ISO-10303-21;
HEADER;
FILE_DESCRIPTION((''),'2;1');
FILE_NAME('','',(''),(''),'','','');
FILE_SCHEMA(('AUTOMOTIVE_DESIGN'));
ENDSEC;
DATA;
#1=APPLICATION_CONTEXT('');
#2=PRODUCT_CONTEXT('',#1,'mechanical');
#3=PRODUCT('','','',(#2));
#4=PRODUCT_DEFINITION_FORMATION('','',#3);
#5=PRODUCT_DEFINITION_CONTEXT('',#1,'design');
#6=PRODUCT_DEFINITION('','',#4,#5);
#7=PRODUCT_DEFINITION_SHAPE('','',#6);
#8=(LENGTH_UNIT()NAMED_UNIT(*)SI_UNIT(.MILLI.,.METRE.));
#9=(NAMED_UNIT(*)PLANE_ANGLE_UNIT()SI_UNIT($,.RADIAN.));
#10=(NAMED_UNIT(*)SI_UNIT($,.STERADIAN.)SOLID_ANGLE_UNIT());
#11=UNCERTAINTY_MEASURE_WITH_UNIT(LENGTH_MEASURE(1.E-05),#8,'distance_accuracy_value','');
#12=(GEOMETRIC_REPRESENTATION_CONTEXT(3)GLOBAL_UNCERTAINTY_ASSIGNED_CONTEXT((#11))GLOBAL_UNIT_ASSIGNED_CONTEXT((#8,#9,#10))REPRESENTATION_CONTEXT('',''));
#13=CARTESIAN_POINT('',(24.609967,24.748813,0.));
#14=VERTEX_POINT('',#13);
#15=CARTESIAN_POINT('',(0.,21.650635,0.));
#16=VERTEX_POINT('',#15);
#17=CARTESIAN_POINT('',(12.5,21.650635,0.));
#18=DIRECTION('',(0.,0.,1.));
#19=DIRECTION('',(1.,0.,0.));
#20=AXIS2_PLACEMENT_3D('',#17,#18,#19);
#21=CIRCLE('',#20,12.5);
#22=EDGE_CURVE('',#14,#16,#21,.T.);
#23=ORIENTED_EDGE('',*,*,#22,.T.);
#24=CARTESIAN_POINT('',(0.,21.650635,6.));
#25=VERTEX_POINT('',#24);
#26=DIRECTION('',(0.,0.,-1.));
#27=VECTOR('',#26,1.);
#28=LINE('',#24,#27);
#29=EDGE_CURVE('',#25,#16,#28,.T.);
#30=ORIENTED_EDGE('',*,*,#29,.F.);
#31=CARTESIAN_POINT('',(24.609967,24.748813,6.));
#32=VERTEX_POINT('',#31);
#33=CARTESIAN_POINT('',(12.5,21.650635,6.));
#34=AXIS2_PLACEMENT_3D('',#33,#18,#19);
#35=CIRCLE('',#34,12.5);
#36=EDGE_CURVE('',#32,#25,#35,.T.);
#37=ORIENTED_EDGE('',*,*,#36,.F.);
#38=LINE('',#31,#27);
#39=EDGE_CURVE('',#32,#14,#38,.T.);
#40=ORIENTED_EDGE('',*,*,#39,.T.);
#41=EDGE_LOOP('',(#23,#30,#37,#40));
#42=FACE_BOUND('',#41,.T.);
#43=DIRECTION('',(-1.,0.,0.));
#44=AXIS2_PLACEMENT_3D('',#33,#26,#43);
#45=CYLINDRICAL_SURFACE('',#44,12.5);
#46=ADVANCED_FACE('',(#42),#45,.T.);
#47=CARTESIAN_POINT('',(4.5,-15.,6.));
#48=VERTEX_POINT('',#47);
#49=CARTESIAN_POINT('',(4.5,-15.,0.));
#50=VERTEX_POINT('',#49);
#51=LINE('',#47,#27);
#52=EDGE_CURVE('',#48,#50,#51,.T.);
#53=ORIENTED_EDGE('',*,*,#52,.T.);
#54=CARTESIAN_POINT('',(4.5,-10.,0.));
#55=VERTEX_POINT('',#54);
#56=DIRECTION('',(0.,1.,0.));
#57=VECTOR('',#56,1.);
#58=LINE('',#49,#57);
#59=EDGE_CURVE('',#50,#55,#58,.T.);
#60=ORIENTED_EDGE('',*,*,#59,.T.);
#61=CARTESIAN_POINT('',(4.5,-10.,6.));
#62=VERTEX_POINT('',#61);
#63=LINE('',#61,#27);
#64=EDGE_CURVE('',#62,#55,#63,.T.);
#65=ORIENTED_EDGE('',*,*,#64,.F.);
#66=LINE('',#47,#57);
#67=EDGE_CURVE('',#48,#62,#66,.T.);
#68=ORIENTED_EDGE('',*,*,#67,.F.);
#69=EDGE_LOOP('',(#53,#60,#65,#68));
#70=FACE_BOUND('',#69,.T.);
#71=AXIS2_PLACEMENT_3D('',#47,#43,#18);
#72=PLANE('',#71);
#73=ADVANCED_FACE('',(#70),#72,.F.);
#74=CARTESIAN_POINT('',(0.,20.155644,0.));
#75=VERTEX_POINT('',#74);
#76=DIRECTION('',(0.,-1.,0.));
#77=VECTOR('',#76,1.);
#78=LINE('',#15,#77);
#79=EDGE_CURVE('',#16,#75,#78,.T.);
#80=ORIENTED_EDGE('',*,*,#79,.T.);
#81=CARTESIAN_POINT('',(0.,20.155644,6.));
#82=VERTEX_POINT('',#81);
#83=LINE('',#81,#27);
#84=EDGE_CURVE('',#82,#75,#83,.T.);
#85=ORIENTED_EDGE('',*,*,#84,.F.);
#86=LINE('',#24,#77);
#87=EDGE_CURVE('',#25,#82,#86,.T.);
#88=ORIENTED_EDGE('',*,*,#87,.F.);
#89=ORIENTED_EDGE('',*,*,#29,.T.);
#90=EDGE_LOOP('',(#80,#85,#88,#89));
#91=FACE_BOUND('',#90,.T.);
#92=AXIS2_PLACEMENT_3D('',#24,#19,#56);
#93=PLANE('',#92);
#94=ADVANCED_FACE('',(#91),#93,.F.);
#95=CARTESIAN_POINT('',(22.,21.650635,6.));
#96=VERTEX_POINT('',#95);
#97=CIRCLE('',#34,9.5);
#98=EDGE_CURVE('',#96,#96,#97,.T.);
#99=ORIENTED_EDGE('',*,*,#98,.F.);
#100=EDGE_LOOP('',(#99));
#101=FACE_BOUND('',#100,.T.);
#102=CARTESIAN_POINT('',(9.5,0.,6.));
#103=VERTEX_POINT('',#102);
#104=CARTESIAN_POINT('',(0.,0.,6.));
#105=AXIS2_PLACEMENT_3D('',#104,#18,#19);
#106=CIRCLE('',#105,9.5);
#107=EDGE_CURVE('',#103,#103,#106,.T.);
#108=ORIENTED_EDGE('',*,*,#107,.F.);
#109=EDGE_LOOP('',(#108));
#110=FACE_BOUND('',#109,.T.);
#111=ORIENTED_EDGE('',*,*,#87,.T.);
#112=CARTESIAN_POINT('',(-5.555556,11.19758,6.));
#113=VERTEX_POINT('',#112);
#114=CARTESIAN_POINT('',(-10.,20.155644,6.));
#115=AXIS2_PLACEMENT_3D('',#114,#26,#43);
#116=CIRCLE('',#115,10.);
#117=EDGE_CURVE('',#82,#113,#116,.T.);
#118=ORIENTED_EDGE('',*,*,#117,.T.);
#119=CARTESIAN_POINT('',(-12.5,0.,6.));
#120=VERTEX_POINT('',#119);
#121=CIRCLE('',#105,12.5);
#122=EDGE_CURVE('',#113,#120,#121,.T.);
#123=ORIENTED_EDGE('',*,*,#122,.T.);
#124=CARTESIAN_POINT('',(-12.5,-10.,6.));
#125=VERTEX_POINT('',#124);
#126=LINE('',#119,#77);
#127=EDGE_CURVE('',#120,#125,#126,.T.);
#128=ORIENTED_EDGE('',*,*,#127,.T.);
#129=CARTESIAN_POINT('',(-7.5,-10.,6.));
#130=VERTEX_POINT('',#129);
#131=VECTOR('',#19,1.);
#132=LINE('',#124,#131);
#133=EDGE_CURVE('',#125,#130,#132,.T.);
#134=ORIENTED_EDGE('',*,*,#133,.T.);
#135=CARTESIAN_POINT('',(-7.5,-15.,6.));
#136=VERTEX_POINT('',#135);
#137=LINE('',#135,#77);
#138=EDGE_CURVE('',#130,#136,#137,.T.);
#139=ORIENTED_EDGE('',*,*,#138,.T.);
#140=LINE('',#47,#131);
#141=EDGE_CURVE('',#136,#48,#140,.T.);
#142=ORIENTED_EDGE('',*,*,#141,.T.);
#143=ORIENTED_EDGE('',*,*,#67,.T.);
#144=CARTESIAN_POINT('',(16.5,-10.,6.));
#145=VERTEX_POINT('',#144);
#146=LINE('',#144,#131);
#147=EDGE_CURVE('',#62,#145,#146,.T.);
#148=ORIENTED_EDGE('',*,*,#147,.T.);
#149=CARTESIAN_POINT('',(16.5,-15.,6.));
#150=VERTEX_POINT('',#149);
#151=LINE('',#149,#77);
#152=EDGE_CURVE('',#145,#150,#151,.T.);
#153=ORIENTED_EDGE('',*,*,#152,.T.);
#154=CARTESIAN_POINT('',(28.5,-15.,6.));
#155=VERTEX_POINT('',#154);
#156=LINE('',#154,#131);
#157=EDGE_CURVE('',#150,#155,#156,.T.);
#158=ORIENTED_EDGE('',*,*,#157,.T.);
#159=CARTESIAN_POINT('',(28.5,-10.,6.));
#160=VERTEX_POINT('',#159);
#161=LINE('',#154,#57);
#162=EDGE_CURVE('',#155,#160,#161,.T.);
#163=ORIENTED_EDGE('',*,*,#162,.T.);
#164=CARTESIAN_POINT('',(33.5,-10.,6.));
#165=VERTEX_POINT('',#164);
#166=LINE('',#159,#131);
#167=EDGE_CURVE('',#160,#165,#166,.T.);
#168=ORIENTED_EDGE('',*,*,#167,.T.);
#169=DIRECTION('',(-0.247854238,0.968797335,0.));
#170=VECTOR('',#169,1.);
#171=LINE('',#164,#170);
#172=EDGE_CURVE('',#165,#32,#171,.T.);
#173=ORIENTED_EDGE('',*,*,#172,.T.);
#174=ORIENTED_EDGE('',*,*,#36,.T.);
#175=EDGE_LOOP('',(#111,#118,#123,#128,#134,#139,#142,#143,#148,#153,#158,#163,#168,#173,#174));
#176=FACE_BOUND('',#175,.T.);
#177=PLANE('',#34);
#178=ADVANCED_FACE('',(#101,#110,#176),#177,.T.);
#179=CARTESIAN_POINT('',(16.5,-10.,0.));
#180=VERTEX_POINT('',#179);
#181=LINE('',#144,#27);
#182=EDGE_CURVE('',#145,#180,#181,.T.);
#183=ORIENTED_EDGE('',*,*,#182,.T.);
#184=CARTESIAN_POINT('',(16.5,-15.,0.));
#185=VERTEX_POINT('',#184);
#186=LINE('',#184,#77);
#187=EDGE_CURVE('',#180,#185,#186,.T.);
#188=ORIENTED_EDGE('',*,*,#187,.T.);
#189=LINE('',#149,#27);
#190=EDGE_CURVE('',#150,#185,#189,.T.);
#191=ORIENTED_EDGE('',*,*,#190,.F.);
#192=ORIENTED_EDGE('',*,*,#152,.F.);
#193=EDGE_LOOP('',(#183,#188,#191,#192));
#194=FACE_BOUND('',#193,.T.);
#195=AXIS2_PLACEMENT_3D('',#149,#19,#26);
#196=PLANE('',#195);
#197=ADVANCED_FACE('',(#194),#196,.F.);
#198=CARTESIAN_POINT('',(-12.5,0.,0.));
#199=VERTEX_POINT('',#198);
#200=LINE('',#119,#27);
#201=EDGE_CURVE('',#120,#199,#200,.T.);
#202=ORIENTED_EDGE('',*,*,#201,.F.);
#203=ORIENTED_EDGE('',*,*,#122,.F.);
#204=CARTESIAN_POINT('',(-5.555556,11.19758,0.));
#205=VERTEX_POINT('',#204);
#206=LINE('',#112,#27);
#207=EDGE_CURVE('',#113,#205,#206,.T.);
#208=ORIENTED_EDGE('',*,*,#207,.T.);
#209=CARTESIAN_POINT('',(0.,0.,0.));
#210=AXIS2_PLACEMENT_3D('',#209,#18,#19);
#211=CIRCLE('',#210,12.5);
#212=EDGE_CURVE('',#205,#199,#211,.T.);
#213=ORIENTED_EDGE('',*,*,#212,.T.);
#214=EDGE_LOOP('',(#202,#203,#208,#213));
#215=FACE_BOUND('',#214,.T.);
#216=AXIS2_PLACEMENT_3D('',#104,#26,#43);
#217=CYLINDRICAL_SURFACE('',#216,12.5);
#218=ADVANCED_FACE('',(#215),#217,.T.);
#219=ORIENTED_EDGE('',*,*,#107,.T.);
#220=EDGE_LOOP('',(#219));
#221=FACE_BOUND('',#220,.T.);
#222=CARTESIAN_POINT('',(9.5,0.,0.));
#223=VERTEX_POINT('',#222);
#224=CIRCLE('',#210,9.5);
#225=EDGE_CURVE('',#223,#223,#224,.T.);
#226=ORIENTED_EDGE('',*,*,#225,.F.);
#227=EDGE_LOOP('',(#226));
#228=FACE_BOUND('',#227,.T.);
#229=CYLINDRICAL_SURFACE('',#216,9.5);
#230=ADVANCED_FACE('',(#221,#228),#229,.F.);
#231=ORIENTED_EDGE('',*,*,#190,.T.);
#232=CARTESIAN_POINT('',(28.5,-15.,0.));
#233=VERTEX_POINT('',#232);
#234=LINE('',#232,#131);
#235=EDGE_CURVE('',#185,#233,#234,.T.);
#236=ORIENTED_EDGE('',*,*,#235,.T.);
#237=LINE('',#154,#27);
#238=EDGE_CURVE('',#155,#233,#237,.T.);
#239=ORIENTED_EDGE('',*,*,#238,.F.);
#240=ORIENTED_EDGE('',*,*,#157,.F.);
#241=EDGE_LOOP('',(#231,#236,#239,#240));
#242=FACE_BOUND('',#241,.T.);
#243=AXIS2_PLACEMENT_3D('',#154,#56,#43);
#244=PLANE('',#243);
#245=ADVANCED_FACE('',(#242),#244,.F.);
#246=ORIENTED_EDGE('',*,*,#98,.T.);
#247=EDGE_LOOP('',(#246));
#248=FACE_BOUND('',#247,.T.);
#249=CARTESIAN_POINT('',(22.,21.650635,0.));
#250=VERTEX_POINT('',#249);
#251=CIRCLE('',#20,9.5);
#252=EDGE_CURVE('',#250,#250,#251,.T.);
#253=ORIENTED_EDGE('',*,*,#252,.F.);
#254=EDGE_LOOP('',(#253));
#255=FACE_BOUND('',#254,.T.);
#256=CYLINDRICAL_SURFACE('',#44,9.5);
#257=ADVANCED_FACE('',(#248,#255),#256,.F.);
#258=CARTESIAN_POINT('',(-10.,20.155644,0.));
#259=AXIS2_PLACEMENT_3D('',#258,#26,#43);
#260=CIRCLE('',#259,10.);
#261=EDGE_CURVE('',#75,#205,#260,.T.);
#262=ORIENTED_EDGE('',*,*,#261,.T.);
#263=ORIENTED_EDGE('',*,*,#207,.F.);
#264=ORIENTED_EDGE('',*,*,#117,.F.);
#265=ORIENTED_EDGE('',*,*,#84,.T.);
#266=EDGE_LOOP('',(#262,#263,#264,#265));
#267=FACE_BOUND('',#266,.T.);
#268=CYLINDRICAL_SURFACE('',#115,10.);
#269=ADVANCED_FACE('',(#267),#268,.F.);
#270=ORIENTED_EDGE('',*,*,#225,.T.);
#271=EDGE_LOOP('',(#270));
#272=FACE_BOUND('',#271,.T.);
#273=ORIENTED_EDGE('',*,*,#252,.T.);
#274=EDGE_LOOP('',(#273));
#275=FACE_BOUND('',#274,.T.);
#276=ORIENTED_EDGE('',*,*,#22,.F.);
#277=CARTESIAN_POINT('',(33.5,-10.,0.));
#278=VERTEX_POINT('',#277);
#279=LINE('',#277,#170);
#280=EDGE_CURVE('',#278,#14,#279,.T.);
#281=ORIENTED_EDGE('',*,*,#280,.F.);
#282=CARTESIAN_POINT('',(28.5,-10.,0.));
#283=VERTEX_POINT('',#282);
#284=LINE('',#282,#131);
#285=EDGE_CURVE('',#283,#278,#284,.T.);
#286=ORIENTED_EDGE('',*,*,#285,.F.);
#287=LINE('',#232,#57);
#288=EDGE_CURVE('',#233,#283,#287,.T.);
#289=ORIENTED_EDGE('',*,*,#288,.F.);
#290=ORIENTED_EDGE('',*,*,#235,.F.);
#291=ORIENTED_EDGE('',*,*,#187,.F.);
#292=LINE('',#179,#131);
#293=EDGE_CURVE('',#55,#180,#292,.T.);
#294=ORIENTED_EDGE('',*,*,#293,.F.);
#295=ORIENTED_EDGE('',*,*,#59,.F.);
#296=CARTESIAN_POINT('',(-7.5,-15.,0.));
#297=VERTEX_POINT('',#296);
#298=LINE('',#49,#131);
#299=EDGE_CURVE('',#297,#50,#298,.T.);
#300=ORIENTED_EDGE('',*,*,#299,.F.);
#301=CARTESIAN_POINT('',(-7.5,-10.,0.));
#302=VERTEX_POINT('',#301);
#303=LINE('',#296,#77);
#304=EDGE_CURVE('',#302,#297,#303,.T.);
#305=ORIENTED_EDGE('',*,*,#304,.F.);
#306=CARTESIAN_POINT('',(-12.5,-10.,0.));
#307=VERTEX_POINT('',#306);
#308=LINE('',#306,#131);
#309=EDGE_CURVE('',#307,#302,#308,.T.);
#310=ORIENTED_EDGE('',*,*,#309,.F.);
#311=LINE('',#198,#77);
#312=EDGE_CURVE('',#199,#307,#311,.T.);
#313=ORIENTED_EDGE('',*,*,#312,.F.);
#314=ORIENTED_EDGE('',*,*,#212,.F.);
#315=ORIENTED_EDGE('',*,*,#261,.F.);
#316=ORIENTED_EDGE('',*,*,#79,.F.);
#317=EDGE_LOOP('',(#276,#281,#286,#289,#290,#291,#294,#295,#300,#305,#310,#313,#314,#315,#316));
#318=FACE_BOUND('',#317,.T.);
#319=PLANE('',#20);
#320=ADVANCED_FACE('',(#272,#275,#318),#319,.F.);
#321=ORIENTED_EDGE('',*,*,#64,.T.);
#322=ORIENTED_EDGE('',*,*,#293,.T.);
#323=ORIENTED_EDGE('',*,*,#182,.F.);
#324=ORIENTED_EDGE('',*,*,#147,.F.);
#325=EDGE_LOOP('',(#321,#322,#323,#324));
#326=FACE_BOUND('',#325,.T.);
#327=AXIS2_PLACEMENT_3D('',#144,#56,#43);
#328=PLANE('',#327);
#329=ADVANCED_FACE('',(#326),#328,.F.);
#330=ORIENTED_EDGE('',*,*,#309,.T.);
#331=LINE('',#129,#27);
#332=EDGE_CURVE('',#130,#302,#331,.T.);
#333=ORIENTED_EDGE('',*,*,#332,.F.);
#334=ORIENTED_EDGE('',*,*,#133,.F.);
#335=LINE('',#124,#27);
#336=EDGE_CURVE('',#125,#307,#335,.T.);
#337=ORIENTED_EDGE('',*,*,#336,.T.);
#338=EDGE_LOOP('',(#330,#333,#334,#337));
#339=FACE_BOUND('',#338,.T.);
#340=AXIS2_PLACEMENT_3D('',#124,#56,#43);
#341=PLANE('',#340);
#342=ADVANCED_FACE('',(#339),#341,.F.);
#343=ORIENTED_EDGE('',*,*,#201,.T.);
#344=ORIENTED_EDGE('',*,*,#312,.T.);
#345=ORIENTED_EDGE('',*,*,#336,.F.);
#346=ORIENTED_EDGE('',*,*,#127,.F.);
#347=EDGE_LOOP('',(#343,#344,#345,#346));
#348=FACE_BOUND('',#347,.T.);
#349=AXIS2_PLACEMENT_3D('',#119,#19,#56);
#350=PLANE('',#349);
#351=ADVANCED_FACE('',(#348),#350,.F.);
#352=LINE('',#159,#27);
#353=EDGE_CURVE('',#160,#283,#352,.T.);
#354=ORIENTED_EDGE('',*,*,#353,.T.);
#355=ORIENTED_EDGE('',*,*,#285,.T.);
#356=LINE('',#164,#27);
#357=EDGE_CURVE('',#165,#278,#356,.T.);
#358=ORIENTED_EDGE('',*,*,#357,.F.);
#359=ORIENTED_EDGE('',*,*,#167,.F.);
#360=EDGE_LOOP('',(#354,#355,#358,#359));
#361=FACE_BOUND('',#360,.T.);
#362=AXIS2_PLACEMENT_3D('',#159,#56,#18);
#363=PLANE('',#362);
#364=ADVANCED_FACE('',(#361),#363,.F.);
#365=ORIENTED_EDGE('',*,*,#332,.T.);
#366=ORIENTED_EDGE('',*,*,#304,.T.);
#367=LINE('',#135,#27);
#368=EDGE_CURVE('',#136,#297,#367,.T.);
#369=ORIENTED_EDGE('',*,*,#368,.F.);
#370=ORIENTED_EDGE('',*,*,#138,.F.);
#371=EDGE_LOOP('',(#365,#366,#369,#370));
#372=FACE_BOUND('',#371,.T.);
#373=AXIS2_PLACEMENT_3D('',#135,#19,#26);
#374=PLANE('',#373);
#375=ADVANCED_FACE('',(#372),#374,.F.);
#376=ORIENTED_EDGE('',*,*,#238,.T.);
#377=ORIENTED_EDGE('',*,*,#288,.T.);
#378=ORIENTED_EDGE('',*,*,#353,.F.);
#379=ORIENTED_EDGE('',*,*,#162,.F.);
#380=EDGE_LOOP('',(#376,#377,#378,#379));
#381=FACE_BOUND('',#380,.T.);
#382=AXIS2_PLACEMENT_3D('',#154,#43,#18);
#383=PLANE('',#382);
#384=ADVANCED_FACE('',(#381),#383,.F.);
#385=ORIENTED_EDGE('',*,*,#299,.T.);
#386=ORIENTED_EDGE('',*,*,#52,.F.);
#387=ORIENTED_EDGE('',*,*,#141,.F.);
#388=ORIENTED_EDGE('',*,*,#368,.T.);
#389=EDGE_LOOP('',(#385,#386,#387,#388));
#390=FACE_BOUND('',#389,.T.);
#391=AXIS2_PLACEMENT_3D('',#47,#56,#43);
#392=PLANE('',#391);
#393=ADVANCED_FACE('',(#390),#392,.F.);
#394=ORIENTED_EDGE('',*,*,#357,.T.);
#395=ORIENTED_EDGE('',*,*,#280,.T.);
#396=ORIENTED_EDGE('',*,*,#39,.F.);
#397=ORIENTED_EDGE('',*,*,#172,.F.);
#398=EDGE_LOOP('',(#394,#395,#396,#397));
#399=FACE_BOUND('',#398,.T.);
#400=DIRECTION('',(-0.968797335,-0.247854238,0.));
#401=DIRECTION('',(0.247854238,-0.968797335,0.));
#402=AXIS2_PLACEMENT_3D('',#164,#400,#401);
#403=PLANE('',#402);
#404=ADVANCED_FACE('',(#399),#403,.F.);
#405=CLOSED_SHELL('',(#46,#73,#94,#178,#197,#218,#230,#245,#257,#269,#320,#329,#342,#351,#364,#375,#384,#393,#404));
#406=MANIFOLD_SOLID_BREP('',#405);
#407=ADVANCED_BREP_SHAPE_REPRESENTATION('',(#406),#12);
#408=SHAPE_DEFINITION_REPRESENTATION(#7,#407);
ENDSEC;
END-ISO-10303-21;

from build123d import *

# Parameters (mm, degrees)
CROQUIS1_R              = 9.5
SALIENTE_EXTRUIR1_DEPTH = 6


with BuildPart() as part:
    # Croquis1 → Saliente-Extruir1 (new body)
    with BuildSketch(Plane.XY):
        with BuildLine():
            Line((-12.5, 0), (-12.5, -10))
            Line((-12.5, -10), (-7.5, -10))
            Line((-7.5, -10), (-7.5, -15))
            Line((-7.5, -15), (4.5, -15))
            Line((4.5, -15), (4.5, -10))
            Line((4.5, -10), (16.5, -10))
            Line((16.5, -10), (16.5, -15))
            Line((16.5, -15), (28.5, -15))
            Line((28.5, -15), (28.5, -10))
            Line((28.5, -10), (33.5, -10))
            Line((33.5, -10), (24.60996669, 24.748813068))
            ThreePointArc((24.60996669, 24.748813068), (10.938683829, 34.052743456), (0, 21.650635095))
            Line((0, 21.650635095), (0, 20.155644371))
            ThreePointArc((0, 20.155644371), (-1.501634144, 14.885181604), (-5.555555556, 11.197580206))
            ThreePointArc((-5.555555556, 11.197580206), (-10.62295732, 6.588078459), (-12.5, 0))
        make_face()
        Circle(CROQUIS1_R, mode=Mode.SUBTRACT)
        with Locations((12.5, 21.650635095)):
            Circle(CROQUIS1_R, mode=Mode.SUBTRACT)
    extrude(amount=SALIENTE_EXTRUIR1_DEPTH)


solid = part.part
